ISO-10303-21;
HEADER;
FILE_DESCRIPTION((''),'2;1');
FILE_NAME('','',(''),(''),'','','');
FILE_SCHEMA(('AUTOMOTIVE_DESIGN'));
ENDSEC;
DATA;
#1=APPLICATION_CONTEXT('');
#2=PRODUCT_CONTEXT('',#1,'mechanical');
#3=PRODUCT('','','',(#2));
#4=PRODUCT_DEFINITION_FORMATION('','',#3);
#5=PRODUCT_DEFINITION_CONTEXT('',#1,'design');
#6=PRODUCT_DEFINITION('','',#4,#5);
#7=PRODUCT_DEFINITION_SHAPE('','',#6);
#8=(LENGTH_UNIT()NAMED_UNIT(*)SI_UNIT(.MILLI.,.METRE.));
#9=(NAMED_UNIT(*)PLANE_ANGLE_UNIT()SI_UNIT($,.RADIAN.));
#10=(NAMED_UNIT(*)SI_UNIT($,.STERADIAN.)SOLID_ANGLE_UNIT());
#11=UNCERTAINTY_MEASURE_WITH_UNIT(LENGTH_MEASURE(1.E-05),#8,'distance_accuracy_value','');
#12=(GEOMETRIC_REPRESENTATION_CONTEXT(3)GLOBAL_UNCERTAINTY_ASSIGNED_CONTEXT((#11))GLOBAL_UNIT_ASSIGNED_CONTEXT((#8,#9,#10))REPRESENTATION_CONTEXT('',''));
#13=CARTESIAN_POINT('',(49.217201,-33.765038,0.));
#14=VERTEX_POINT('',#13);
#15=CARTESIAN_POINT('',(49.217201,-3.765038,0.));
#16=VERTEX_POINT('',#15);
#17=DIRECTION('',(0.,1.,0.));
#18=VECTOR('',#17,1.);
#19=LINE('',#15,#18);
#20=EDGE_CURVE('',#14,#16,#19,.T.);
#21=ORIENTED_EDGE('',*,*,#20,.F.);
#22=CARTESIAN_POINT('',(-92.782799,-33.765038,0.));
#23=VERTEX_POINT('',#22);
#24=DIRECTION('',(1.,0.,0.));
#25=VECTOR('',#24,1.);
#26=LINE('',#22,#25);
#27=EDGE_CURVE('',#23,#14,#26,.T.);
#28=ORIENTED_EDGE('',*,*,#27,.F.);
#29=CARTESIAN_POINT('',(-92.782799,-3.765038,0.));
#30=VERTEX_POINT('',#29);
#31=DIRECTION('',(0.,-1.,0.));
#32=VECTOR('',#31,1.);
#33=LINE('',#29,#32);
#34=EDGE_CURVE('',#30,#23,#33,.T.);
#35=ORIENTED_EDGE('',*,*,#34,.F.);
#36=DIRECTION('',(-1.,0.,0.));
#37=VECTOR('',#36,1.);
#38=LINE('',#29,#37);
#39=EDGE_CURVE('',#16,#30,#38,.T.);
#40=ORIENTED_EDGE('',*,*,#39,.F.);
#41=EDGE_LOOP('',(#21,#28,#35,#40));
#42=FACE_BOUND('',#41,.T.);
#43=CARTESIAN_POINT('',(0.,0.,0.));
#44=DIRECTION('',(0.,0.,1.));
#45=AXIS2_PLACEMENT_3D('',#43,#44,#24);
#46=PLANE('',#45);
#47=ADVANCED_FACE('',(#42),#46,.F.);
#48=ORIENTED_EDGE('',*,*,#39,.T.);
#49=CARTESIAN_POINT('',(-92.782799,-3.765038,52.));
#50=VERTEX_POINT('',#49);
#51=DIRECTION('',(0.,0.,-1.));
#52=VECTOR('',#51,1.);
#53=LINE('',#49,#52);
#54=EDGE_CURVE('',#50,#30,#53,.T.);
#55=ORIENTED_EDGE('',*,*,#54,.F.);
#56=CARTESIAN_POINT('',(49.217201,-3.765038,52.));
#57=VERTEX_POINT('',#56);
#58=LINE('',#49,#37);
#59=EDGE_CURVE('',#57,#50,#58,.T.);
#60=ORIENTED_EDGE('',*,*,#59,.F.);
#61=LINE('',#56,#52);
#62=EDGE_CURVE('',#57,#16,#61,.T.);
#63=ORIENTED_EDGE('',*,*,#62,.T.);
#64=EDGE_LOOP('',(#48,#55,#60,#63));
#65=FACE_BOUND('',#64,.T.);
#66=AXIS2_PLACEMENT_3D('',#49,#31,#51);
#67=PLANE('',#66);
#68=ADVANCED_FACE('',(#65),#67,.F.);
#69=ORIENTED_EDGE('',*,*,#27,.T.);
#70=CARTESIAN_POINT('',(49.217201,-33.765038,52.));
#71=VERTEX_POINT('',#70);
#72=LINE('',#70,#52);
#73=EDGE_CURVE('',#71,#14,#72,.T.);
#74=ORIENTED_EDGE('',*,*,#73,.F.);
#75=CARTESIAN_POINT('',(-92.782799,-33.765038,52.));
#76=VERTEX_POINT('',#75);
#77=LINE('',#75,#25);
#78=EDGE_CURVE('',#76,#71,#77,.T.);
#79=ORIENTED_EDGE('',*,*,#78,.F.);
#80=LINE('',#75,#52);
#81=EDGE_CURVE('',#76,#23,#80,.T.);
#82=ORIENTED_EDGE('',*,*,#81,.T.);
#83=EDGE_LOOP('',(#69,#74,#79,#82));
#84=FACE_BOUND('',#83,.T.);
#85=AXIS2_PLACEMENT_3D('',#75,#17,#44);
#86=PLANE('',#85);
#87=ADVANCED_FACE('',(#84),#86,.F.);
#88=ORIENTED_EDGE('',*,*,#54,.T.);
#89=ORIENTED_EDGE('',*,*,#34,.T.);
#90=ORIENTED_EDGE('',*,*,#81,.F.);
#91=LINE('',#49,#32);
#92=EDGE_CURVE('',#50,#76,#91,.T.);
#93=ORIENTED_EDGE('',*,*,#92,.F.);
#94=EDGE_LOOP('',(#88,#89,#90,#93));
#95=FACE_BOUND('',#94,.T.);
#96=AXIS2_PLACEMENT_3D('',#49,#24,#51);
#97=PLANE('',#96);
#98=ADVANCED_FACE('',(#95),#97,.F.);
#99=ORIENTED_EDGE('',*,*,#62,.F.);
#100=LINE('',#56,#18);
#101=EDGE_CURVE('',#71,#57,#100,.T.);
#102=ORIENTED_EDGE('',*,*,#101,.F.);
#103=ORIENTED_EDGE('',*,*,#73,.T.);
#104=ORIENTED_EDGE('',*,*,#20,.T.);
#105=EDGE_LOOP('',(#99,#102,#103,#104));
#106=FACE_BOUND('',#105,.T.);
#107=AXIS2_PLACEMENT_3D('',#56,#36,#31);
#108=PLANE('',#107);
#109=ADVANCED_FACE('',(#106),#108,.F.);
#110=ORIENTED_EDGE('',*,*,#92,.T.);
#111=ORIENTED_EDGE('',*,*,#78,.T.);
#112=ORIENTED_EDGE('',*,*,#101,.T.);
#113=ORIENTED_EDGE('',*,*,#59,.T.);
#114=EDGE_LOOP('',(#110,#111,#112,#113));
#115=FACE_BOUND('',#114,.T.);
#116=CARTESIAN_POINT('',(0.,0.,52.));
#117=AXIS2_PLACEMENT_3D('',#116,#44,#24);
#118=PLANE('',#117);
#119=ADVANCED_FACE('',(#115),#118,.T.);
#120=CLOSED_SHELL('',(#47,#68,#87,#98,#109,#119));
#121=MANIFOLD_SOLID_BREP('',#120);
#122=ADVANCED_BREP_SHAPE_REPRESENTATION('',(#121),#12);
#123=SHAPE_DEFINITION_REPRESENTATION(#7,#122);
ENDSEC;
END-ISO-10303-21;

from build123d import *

# Parameters (mm, degrees)
SKETCH1_W           = 142
SKETCH1_H           = 30
BOSS_EXTRUDE1_DEPTH = 52


with BuildPart() as part:
    # Sketch1 → Boss-Extrude1 (new body)
    with BuildSketch(Plane.XY):
        with Locations((-21.782799011, -18.765037594)):
            Rectangle(SKETCH1_W, SKETCH1_H)
    extrude(amount=BOSS_EXTRUDE1_DEPTH)


solid = part.part
